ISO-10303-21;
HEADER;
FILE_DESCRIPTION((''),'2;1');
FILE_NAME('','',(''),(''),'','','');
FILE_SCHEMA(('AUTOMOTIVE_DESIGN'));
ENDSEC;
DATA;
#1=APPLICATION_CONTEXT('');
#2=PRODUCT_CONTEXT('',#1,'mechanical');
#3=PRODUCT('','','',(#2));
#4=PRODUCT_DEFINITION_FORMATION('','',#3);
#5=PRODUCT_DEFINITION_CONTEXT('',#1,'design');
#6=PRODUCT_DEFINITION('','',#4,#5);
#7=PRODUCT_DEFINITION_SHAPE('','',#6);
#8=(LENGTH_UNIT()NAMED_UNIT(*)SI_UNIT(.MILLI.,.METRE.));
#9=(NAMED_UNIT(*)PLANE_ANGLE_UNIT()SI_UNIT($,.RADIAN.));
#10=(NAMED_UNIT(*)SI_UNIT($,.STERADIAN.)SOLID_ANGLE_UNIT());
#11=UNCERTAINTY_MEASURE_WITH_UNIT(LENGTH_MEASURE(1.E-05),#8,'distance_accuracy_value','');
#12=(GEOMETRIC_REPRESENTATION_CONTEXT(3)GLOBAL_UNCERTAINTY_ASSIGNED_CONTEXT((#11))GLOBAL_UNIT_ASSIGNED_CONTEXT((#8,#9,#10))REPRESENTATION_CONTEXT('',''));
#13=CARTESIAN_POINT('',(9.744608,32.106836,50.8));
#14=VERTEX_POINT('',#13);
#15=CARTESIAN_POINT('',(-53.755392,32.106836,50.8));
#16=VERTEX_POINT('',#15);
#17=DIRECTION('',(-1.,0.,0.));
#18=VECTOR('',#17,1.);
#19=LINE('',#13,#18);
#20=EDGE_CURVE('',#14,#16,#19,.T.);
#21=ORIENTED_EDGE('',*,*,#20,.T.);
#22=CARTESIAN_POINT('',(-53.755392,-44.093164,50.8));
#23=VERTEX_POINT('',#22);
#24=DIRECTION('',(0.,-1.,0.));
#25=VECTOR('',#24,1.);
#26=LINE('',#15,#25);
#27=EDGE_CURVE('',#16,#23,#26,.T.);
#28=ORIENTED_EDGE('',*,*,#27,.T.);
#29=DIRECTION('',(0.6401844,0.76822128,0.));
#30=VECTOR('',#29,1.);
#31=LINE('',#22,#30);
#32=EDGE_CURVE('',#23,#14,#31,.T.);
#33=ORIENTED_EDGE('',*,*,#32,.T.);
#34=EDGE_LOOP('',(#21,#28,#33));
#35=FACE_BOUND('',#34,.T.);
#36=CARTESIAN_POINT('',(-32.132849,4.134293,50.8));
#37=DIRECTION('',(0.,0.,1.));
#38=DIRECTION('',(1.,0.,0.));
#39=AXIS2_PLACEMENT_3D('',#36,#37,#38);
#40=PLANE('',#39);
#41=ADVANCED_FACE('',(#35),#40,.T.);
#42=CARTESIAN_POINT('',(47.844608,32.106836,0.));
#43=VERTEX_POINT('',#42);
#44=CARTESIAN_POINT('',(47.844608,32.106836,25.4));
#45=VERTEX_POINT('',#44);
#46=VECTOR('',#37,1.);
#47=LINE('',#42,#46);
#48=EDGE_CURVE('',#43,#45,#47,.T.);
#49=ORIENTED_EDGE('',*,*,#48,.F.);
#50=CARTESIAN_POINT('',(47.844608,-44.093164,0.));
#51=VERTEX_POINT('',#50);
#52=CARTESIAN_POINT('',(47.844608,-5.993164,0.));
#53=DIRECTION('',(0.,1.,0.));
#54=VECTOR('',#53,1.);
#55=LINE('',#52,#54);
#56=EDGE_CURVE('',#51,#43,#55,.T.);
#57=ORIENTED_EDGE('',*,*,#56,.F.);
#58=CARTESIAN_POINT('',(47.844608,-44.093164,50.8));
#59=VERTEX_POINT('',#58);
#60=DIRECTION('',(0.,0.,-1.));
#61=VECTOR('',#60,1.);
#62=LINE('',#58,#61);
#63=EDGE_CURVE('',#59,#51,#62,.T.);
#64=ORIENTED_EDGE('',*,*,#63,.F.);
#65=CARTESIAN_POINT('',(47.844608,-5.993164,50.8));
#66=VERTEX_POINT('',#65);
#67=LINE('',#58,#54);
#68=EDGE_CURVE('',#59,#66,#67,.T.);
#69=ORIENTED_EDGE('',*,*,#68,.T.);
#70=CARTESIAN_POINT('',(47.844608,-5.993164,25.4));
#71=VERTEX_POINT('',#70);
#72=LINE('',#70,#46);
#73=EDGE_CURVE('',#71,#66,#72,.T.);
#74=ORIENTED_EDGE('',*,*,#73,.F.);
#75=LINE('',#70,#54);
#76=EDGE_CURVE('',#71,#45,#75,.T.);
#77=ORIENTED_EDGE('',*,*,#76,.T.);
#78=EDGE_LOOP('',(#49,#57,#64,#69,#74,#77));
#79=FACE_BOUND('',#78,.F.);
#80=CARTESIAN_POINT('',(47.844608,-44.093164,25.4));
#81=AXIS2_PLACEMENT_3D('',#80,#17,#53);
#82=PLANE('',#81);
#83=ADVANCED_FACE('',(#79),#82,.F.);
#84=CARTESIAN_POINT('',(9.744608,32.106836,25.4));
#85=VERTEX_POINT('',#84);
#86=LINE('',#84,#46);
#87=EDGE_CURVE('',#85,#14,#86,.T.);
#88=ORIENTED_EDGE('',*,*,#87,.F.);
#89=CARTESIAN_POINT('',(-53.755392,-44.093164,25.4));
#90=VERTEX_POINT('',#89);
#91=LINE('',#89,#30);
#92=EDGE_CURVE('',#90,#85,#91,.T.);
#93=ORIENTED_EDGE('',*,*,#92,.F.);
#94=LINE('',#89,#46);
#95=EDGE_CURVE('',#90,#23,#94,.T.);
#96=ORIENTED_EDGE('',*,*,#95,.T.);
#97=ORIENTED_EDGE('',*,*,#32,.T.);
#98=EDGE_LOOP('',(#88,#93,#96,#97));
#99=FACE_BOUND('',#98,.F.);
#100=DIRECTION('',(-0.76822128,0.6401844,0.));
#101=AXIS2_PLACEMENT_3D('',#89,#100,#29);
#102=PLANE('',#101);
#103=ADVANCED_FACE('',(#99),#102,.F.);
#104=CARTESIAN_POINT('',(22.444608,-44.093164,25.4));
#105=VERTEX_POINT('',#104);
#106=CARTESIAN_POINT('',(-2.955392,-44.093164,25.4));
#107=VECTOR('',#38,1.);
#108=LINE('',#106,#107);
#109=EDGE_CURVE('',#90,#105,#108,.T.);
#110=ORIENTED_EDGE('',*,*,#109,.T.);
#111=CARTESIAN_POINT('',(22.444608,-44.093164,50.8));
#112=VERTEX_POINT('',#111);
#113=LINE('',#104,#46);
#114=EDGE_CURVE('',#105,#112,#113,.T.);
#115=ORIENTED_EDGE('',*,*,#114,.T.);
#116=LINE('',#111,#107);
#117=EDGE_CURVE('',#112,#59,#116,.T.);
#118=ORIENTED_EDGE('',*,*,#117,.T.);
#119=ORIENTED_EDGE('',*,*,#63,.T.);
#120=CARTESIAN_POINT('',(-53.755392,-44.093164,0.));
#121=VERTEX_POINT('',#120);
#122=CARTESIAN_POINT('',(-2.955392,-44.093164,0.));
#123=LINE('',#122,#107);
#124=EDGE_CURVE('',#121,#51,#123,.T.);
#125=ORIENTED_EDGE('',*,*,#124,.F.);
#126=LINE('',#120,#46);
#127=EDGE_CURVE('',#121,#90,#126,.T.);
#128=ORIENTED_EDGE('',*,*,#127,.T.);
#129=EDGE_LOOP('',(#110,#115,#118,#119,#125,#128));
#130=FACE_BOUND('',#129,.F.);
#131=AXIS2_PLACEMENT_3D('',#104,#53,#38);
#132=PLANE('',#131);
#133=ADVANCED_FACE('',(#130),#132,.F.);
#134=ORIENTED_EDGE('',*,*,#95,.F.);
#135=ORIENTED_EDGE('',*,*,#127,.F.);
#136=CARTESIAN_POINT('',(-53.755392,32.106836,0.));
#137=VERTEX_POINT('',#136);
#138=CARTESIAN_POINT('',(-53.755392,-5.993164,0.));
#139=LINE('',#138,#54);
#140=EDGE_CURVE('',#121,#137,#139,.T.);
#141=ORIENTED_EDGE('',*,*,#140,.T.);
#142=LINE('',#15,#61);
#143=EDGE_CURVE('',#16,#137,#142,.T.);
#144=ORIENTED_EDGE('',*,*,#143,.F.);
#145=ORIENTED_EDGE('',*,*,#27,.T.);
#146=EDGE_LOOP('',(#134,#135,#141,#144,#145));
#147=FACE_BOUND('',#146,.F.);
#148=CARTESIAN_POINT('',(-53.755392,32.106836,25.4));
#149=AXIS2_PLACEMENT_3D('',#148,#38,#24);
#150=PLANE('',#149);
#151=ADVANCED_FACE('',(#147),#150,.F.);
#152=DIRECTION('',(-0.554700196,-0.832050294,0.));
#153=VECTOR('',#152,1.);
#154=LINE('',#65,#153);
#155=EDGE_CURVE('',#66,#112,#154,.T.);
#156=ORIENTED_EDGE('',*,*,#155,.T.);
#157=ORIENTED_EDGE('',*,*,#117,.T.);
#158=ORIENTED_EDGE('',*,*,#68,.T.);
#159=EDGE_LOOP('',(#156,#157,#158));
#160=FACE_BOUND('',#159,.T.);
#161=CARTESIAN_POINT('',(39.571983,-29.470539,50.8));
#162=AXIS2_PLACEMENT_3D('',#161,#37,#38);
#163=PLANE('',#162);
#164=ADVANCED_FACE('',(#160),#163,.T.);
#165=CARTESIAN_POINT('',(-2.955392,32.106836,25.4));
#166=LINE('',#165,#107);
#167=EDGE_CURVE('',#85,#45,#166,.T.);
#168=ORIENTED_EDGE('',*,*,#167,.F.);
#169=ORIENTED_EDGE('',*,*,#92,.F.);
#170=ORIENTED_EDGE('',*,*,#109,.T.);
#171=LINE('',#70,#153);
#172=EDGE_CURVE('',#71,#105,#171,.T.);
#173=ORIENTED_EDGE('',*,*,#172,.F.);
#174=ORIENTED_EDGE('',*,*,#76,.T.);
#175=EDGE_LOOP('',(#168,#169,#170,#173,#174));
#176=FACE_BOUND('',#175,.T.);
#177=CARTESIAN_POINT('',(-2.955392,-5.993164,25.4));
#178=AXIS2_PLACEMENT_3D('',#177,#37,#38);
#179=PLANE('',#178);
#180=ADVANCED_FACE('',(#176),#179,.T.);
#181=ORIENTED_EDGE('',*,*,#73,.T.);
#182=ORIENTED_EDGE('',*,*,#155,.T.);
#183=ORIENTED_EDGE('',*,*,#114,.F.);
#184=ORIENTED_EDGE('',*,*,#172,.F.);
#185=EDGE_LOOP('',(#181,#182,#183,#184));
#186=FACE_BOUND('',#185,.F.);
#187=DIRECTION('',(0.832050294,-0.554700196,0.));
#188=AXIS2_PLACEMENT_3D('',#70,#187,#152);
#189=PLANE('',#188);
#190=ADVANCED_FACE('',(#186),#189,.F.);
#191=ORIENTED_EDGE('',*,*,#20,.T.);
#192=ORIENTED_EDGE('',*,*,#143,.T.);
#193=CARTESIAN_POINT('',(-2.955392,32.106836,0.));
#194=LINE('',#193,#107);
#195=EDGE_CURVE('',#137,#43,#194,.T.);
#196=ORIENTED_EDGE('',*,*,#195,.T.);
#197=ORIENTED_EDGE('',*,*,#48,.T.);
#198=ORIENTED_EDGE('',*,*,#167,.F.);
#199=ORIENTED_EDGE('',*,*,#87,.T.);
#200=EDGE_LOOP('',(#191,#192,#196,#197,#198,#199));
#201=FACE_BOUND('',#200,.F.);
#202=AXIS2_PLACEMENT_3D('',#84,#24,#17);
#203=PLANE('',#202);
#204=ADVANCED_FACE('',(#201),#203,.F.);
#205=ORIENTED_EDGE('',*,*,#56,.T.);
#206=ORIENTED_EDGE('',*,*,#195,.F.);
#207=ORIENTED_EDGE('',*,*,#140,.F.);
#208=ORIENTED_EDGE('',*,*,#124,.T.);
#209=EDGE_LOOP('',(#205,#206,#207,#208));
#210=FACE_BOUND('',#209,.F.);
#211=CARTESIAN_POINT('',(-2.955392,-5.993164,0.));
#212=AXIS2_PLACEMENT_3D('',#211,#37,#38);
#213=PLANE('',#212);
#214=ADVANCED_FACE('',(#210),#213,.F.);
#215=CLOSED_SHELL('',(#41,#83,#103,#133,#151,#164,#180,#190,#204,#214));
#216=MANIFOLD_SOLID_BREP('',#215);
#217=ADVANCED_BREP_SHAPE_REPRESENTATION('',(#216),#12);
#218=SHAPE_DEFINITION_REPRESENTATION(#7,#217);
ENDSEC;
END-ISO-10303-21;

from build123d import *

# Parameters (mm, degrees)
F0_W     = 101.6
F0_H     = 76.2
F1_DEPTH = 25.4
F3_DEPTH = 25.4
F5_DEPTH = 25.4


with BuildPart() as f1:
    # F0 (on Top) → F1 (new body)
    with BuildSketch(Plane.XY):
        with Locations((-2.955392, -5.993164)):
            Rectangle(F0_W, F0_H)
    extrude(amount=F1_DEPTH)

    # F2 (on face) → F3 (join)
    with BuildSketch(Plane.XY.offset(25.4)):
        Polygon((47.844608, -5.993164), (22.444608, -44.093164), (47.844608, -44.093164), align=None)
    extrude(amount=F3_DEPTH)

    # F4 (on face) → F5 (join)
    with BuildSketch(Plane.XY.offset(25.4)):
        Polygon((-53.755392, 32.106836), (-53.755392, -44.093164), (9.744608, 32.106836), align=None)
    extrude(amount=F5_DEPTH)


solid = f1.part
